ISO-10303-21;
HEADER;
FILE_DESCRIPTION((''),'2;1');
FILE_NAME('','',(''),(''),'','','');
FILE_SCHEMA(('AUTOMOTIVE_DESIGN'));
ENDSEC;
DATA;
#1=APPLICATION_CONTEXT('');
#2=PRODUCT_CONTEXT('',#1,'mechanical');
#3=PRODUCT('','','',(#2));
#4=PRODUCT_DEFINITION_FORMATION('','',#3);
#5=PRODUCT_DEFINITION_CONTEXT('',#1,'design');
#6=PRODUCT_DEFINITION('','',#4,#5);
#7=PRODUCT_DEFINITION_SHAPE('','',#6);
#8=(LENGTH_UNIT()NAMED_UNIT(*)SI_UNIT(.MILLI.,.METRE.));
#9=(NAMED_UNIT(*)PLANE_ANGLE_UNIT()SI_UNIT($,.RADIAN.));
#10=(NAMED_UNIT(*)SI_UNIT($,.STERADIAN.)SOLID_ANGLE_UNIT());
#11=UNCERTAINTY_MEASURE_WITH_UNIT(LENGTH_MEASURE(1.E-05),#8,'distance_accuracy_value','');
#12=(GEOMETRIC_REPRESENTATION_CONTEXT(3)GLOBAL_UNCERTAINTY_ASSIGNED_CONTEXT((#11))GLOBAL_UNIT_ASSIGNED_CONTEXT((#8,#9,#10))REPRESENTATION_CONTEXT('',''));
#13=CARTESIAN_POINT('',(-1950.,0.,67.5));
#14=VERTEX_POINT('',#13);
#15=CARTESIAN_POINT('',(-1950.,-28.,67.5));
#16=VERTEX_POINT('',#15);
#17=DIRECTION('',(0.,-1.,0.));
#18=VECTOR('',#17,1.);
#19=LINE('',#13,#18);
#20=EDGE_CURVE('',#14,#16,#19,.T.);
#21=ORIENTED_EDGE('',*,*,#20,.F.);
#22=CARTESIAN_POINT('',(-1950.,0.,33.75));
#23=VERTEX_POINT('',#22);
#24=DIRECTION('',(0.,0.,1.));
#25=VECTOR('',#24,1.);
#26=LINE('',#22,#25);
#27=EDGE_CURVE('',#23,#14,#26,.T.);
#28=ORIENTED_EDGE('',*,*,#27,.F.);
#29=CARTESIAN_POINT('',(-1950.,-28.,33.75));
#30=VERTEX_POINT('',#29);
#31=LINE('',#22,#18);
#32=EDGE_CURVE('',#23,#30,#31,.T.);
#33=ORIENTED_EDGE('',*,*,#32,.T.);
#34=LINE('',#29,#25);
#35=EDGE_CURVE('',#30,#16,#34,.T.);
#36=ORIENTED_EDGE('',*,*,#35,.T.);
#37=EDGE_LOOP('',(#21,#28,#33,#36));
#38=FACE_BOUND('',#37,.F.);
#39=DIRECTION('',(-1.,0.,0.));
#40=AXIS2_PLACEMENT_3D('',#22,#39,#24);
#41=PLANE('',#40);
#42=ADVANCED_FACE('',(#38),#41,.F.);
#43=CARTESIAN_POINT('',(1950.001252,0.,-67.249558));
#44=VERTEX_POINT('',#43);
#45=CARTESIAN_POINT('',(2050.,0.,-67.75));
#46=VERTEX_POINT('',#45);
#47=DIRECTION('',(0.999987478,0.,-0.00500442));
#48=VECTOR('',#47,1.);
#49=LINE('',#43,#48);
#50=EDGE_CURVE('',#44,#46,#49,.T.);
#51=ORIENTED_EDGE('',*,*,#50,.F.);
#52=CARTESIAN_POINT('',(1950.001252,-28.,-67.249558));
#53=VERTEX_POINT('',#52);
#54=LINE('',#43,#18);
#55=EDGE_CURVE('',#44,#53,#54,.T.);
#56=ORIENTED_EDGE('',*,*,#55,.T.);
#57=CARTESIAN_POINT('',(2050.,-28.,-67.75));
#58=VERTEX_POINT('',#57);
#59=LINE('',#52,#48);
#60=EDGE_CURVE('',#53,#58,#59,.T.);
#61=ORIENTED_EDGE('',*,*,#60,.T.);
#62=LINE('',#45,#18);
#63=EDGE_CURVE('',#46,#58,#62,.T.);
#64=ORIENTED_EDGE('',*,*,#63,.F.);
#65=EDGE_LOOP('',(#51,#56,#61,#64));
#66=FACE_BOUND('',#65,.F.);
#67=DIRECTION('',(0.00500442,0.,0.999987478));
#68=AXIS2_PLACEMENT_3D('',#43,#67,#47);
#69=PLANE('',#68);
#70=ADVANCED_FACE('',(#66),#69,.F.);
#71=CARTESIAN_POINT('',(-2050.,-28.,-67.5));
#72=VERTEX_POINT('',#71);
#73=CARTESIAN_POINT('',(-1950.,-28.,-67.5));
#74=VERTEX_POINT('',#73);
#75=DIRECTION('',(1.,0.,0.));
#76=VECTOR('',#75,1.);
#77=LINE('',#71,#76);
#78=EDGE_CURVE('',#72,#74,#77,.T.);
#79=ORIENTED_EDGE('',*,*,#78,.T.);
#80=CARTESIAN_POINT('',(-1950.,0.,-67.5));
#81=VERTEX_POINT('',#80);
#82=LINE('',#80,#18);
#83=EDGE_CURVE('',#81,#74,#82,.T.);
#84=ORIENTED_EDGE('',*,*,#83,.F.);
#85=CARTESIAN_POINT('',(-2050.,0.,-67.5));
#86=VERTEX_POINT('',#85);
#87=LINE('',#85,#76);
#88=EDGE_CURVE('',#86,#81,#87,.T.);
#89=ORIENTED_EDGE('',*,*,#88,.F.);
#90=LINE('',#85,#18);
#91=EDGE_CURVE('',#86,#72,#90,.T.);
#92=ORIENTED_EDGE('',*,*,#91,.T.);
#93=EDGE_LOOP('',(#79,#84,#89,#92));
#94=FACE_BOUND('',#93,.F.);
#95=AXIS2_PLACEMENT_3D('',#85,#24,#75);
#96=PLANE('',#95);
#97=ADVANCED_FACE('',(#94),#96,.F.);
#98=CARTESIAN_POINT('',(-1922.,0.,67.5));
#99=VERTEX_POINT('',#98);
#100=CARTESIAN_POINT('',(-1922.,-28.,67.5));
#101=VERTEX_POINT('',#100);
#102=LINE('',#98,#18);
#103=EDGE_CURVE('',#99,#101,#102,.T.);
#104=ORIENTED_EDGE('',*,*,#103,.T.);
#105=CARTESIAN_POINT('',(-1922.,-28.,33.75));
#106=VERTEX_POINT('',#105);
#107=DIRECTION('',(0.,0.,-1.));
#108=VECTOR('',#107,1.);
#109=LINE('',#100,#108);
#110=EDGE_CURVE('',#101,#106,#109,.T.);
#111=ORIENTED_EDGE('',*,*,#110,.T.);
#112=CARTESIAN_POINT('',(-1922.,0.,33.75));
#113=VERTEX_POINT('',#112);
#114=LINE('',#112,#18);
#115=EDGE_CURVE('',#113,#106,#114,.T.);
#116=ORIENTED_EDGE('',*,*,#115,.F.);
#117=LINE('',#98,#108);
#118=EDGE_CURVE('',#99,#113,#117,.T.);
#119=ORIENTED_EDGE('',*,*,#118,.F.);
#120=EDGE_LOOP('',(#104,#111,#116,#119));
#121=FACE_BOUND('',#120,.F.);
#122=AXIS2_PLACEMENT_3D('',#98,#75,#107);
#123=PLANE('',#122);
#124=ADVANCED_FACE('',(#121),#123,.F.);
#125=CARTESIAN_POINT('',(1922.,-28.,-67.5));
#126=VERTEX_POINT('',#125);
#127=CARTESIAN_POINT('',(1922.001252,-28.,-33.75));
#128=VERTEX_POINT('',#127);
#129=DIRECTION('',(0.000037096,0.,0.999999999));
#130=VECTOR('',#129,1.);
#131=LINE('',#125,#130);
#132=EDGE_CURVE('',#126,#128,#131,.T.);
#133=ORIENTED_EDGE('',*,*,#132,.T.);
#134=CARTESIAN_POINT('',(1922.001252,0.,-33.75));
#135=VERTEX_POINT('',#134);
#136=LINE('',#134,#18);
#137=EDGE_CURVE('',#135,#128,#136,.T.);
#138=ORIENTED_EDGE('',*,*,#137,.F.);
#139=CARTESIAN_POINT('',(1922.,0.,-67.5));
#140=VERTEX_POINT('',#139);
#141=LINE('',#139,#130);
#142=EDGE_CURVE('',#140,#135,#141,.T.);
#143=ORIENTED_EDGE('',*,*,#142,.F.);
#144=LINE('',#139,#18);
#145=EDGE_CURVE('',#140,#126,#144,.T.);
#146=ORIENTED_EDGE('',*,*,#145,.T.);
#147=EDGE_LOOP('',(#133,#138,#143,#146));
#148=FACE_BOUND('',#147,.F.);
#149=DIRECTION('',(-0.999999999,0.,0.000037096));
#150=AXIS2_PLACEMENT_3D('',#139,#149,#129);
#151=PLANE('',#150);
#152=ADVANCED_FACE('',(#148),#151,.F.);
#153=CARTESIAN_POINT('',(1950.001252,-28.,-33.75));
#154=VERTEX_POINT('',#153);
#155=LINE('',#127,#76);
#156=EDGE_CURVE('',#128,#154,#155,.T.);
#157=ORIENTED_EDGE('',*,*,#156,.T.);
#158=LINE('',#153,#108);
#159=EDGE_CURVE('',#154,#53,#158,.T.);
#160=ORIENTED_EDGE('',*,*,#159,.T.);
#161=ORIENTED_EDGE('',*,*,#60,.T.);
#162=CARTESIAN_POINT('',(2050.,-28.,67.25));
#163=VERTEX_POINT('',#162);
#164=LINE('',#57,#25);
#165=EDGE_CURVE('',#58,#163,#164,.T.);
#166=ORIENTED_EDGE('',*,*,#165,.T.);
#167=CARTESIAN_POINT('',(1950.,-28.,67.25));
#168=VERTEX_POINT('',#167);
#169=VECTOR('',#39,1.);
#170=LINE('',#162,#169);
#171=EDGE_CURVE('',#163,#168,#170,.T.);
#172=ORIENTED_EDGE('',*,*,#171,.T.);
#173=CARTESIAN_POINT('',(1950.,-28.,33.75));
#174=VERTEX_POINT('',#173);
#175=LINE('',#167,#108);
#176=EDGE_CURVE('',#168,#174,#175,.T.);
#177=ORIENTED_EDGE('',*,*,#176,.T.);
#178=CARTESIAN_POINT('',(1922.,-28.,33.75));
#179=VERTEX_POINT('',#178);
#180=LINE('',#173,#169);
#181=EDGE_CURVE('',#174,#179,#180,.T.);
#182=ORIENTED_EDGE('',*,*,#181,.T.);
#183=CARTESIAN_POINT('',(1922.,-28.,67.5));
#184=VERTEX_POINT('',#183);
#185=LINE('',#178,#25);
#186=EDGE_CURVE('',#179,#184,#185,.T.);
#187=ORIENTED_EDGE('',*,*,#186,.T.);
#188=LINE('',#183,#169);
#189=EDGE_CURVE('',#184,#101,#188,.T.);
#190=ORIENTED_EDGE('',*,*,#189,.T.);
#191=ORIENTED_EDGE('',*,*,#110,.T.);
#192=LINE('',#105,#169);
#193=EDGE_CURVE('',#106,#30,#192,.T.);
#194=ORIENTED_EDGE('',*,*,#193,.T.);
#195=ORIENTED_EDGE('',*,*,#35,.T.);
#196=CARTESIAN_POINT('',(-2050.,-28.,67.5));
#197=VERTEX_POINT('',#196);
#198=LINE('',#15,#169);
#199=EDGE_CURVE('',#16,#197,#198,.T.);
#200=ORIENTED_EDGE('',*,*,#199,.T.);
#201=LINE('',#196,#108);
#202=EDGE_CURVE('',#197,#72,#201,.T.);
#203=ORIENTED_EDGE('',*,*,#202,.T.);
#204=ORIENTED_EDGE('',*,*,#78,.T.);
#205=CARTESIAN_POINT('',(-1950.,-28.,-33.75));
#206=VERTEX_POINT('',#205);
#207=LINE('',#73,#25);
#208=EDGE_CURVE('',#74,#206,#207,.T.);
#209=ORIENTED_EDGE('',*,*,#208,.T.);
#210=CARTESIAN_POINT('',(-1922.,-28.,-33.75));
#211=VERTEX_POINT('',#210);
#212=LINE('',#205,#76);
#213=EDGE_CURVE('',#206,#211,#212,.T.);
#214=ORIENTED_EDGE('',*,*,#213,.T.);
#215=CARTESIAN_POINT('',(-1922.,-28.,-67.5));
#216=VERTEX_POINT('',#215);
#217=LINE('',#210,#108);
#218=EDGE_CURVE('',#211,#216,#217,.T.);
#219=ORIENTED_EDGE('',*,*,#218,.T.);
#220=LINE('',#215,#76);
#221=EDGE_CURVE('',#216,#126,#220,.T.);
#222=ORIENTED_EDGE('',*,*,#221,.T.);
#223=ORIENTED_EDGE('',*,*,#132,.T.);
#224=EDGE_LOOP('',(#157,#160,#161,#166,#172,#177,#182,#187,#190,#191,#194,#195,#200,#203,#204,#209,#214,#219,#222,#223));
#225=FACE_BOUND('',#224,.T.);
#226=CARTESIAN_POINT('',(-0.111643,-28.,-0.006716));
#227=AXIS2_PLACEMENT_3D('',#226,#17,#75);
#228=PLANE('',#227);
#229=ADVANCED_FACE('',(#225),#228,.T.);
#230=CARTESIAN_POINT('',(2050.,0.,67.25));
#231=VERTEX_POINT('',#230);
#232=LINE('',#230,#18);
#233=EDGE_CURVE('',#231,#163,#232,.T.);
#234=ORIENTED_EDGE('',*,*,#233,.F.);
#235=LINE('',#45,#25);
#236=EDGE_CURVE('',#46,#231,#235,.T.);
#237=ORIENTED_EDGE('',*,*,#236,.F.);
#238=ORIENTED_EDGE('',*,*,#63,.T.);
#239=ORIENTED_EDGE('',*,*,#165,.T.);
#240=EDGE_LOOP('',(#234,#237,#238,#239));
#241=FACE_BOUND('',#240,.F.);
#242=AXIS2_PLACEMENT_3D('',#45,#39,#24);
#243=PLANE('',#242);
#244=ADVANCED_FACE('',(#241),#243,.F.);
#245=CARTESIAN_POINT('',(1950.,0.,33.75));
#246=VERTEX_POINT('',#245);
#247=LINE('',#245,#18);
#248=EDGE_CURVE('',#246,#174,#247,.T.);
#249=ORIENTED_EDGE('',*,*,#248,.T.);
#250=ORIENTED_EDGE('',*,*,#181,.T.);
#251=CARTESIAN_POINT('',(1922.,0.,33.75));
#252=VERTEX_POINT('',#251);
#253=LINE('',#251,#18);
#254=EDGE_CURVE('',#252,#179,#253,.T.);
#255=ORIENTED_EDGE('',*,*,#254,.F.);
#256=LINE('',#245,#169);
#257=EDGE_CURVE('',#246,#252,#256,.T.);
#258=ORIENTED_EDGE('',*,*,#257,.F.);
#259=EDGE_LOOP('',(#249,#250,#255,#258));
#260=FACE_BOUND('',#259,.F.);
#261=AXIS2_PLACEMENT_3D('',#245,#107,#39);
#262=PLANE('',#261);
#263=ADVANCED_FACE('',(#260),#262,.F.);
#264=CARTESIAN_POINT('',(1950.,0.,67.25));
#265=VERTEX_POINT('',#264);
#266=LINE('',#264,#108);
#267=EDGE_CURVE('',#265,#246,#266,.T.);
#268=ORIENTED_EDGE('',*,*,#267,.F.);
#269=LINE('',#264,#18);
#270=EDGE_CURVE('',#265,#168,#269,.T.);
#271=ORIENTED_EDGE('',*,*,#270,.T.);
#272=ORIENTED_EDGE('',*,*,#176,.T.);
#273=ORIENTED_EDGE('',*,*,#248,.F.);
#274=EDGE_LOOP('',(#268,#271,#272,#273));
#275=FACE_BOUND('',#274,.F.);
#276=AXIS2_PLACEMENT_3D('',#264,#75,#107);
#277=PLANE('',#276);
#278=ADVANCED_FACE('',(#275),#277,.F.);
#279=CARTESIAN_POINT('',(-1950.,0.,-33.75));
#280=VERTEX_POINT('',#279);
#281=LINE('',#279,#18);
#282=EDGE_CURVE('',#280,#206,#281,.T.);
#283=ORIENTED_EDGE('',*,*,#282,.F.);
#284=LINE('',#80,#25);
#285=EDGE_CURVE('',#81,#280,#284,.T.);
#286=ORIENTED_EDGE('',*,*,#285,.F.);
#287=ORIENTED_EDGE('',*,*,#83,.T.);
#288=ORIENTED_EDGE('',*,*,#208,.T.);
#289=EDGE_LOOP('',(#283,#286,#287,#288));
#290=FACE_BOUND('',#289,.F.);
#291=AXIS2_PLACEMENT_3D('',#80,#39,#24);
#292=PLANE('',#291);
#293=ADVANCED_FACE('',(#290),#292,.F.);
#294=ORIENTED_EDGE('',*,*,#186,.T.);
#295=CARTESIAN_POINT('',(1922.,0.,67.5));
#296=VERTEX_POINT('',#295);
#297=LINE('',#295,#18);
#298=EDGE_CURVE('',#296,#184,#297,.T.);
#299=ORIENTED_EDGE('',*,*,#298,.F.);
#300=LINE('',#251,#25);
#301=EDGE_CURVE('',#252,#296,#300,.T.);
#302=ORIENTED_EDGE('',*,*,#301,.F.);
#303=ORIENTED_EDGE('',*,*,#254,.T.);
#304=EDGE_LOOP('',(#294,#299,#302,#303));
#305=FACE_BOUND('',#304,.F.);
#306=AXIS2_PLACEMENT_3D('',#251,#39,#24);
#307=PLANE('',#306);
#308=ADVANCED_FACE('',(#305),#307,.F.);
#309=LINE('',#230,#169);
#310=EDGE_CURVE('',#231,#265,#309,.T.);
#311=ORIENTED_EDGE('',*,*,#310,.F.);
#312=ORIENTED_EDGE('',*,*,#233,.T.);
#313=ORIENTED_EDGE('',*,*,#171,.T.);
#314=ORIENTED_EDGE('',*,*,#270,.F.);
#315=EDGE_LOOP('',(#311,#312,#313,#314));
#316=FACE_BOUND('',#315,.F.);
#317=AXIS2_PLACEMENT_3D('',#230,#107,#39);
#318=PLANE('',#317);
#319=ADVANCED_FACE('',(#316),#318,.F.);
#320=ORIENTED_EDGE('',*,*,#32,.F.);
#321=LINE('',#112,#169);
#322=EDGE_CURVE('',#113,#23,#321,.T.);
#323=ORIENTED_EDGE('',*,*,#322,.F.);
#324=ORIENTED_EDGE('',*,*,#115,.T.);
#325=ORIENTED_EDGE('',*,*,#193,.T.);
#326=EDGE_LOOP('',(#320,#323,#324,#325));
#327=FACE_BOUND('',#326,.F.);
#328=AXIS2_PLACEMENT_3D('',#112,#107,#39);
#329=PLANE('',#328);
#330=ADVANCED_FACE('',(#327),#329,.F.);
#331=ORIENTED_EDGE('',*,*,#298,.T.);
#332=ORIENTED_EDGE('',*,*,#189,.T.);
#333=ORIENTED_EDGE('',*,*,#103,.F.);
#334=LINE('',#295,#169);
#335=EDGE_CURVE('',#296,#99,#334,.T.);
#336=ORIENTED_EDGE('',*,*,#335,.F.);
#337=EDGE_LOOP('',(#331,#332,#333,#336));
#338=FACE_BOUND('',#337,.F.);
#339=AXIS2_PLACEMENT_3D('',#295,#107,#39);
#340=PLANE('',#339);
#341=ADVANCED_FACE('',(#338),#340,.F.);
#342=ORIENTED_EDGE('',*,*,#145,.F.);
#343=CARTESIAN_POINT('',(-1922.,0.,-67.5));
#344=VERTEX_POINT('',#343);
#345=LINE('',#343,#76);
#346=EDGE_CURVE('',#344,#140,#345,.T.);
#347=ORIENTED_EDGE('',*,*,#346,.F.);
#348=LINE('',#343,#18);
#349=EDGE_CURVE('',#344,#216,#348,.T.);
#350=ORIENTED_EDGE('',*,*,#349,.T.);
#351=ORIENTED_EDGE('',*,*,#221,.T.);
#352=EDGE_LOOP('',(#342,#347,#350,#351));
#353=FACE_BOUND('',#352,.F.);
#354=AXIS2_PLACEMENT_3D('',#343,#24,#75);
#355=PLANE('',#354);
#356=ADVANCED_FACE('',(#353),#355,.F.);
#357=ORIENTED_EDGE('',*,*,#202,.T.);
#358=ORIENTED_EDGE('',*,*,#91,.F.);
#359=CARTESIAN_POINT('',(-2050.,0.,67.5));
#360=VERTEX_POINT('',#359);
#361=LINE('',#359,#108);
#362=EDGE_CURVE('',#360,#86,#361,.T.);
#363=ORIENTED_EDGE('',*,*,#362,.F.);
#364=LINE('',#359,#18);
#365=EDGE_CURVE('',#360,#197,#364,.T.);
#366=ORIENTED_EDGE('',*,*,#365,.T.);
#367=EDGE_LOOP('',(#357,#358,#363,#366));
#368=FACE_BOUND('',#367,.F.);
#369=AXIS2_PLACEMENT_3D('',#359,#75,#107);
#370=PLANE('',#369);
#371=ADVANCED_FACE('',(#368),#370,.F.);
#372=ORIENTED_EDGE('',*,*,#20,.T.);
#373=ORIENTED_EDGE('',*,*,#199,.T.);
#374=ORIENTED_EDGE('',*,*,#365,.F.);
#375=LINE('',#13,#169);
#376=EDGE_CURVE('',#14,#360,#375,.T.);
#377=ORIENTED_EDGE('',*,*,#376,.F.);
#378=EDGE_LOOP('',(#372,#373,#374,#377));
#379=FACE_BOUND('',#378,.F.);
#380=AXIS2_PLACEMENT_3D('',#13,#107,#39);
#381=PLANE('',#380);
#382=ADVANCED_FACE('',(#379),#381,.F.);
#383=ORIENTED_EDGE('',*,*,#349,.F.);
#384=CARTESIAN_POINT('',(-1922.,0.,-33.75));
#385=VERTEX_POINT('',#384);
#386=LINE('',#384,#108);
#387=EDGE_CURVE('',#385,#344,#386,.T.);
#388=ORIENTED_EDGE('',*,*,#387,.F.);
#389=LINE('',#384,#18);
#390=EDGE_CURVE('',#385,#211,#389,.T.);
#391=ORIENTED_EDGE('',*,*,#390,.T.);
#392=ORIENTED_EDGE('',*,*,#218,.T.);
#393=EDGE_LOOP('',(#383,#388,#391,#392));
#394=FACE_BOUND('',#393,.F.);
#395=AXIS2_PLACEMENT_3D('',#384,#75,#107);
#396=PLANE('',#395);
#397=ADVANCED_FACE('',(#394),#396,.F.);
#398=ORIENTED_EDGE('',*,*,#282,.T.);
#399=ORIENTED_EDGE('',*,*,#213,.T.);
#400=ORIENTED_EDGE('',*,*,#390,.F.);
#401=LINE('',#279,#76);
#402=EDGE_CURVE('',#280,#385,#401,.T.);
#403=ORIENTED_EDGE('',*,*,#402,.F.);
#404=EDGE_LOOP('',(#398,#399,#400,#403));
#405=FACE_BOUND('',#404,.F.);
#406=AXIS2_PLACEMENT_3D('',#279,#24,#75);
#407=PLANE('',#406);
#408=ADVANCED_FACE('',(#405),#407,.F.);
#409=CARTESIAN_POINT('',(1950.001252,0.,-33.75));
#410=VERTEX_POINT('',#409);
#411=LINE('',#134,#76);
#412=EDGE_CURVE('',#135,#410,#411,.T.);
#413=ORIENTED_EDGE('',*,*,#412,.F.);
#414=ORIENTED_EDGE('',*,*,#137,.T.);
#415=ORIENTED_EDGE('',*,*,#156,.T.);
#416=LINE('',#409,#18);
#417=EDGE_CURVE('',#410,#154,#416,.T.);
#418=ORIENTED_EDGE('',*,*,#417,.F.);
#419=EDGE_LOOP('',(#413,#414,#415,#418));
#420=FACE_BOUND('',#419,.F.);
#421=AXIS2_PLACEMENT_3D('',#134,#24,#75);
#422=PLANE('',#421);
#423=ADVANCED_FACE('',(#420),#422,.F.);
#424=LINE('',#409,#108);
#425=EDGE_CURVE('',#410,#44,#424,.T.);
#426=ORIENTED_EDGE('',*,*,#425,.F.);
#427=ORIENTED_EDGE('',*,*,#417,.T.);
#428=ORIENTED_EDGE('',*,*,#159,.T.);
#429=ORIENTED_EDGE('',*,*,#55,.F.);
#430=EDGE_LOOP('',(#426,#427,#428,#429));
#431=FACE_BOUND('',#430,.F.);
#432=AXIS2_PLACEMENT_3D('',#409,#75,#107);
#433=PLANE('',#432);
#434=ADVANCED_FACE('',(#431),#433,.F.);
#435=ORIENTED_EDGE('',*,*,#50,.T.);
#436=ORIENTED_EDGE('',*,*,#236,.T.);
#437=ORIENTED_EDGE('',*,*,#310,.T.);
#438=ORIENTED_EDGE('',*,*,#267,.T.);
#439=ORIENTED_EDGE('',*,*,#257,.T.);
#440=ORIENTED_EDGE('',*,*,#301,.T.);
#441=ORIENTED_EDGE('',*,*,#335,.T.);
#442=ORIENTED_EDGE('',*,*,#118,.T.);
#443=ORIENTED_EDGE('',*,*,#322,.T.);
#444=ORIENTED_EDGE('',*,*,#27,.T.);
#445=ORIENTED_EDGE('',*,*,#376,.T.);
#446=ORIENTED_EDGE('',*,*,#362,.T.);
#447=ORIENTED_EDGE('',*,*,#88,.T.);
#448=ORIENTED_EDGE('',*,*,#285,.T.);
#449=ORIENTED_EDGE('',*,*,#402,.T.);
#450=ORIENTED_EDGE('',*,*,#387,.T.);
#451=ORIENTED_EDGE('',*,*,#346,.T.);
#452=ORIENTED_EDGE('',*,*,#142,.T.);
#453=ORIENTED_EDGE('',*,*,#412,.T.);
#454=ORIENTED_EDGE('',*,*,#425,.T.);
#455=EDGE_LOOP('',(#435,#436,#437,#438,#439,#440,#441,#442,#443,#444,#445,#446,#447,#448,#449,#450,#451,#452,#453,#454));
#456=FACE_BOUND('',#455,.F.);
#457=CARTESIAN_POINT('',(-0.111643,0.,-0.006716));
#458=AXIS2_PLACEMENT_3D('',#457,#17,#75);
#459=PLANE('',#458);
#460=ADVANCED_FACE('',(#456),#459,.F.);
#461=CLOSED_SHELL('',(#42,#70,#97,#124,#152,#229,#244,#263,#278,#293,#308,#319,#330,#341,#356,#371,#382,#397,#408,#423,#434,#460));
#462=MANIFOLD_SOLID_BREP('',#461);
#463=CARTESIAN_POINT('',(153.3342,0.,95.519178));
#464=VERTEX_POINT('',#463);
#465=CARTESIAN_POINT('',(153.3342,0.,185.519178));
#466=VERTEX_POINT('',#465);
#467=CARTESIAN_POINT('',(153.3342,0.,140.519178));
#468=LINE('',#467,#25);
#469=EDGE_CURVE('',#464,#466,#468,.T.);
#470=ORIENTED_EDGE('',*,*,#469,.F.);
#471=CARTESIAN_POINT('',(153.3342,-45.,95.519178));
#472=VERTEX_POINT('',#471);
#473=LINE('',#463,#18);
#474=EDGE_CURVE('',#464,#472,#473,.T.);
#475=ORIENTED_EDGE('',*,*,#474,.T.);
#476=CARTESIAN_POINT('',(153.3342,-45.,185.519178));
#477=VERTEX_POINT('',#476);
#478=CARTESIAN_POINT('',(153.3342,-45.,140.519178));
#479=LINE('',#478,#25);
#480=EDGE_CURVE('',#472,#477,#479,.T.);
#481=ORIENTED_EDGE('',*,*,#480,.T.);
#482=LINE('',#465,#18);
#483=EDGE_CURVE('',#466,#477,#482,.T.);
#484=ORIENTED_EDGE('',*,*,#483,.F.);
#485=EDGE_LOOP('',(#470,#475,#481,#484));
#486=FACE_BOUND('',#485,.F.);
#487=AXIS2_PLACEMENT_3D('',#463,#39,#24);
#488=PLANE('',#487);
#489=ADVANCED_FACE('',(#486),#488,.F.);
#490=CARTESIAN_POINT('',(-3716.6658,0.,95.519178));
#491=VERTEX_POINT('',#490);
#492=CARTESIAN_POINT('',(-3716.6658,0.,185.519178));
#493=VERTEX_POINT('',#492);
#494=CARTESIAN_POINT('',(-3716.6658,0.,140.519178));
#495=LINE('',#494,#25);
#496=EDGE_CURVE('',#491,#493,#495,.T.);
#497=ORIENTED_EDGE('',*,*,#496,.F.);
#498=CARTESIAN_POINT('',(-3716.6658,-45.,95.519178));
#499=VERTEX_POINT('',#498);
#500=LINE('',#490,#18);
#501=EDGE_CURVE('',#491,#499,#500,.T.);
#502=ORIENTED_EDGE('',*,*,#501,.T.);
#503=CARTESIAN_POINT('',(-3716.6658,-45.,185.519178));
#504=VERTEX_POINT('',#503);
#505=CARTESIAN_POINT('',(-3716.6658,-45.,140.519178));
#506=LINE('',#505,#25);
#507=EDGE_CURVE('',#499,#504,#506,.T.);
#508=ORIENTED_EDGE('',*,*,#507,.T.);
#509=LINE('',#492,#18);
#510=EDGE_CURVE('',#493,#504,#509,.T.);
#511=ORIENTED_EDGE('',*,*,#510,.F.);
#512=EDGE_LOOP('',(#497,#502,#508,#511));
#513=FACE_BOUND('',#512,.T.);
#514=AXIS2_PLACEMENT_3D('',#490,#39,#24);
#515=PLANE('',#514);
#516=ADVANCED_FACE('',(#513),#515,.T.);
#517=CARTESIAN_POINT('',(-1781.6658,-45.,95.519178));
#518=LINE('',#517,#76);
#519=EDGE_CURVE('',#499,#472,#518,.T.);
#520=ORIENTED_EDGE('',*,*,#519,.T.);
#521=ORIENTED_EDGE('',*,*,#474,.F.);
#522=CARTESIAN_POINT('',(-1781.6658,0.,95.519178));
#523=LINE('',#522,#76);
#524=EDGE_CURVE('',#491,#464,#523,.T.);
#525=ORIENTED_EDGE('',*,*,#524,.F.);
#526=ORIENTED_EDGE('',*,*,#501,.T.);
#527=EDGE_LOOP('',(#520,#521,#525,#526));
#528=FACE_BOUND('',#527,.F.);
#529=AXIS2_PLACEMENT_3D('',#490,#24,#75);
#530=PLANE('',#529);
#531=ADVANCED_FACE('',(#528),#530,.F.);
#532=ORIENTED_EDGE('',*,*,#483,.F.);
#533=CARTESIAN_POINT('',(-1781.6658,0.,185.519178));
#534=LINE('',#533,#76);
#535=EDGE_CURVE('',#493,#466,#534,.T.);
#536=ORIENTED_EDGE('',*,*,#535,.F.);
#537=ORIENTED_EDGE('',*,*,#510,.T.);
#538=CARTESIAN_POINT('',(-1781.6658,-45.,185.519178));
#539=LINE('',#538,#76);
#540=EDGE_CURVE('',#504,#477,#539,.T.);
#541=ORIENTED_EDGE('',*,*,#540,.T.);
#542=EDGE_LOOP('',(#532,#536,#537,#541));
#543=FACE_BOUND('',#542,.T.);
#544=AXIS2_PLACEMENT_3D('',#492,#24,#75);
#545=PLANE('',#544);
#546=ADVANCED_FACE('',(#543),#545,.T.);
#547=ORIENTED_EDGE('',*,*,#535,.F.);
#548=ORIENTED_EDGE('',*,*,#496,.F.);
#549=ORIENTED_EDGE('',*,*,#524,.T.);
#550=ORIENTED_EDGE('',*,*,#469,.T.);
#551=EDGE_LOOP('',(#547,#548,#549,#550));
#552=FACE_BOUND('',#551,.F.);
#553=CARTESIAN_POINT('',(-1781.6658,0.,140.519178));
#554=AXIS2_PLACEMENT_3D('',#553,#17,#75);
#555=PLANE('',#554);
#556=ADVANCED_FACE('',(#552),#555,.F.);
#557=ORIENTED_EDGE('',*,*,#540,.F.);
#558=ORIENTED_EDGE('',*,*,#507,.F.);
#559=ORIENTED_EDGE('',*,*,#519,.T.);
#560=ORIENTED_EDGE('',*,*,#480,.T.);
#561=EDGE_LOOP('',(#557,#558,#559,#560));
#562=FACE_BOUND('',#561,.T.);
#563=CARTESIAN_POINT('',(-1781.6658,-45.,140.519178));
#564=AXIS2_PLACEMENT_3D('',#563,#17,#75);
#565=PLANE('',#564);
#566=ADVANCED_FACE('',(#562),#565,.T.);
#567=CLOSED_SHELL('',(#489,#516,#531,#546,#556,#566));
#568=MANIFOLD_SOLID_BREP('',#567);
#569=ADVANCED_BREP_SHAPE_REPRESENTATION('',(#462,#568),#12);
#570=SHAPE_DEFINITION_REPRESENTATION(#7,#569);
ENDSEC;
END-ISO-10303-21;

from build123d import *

# Parameters (mm, degrees)
F1_DEPTH = 28
F2_W     = 3870
F2_H     = 90
F3_DEPTH = 45


with BuildPart() as f1:
    # F0 (on Front) → F1 (new body)
    with BuildSketch(Plane.XZ):
        Polygon((1922, 33.75), (1922, 67.5), (-1922, 67.5), (-1922, 33.75), (-1950, 33.75), (-1950, 67.5), (-2050, 67.5), (-2050, -67.5), (-1950, -67.5), (-1950, -33.75), (-1922, -33.75), (-1922, -67.5), (1922, -67.5), (1922.001252, -33.75), (1950.001252, -33.75), (1950.001252, -67.249558), (2050, -67.75), (2050, 67.25), (1950, 67.25), (1950, 33.75), align=None)
    extrude(amount=F1_DEPTH)


with BuildPart() as f3:
    # F2 (on Front) → F3 (new body)
    with BuildSketch(Plane.XZ):
        with Locations((-1781.6658, 140.519178)):
            Rectangle(F2_W, F2_H)
    extrude(amount=F3_DEPTH)


solid = Compound([f1.part, f3.part])
